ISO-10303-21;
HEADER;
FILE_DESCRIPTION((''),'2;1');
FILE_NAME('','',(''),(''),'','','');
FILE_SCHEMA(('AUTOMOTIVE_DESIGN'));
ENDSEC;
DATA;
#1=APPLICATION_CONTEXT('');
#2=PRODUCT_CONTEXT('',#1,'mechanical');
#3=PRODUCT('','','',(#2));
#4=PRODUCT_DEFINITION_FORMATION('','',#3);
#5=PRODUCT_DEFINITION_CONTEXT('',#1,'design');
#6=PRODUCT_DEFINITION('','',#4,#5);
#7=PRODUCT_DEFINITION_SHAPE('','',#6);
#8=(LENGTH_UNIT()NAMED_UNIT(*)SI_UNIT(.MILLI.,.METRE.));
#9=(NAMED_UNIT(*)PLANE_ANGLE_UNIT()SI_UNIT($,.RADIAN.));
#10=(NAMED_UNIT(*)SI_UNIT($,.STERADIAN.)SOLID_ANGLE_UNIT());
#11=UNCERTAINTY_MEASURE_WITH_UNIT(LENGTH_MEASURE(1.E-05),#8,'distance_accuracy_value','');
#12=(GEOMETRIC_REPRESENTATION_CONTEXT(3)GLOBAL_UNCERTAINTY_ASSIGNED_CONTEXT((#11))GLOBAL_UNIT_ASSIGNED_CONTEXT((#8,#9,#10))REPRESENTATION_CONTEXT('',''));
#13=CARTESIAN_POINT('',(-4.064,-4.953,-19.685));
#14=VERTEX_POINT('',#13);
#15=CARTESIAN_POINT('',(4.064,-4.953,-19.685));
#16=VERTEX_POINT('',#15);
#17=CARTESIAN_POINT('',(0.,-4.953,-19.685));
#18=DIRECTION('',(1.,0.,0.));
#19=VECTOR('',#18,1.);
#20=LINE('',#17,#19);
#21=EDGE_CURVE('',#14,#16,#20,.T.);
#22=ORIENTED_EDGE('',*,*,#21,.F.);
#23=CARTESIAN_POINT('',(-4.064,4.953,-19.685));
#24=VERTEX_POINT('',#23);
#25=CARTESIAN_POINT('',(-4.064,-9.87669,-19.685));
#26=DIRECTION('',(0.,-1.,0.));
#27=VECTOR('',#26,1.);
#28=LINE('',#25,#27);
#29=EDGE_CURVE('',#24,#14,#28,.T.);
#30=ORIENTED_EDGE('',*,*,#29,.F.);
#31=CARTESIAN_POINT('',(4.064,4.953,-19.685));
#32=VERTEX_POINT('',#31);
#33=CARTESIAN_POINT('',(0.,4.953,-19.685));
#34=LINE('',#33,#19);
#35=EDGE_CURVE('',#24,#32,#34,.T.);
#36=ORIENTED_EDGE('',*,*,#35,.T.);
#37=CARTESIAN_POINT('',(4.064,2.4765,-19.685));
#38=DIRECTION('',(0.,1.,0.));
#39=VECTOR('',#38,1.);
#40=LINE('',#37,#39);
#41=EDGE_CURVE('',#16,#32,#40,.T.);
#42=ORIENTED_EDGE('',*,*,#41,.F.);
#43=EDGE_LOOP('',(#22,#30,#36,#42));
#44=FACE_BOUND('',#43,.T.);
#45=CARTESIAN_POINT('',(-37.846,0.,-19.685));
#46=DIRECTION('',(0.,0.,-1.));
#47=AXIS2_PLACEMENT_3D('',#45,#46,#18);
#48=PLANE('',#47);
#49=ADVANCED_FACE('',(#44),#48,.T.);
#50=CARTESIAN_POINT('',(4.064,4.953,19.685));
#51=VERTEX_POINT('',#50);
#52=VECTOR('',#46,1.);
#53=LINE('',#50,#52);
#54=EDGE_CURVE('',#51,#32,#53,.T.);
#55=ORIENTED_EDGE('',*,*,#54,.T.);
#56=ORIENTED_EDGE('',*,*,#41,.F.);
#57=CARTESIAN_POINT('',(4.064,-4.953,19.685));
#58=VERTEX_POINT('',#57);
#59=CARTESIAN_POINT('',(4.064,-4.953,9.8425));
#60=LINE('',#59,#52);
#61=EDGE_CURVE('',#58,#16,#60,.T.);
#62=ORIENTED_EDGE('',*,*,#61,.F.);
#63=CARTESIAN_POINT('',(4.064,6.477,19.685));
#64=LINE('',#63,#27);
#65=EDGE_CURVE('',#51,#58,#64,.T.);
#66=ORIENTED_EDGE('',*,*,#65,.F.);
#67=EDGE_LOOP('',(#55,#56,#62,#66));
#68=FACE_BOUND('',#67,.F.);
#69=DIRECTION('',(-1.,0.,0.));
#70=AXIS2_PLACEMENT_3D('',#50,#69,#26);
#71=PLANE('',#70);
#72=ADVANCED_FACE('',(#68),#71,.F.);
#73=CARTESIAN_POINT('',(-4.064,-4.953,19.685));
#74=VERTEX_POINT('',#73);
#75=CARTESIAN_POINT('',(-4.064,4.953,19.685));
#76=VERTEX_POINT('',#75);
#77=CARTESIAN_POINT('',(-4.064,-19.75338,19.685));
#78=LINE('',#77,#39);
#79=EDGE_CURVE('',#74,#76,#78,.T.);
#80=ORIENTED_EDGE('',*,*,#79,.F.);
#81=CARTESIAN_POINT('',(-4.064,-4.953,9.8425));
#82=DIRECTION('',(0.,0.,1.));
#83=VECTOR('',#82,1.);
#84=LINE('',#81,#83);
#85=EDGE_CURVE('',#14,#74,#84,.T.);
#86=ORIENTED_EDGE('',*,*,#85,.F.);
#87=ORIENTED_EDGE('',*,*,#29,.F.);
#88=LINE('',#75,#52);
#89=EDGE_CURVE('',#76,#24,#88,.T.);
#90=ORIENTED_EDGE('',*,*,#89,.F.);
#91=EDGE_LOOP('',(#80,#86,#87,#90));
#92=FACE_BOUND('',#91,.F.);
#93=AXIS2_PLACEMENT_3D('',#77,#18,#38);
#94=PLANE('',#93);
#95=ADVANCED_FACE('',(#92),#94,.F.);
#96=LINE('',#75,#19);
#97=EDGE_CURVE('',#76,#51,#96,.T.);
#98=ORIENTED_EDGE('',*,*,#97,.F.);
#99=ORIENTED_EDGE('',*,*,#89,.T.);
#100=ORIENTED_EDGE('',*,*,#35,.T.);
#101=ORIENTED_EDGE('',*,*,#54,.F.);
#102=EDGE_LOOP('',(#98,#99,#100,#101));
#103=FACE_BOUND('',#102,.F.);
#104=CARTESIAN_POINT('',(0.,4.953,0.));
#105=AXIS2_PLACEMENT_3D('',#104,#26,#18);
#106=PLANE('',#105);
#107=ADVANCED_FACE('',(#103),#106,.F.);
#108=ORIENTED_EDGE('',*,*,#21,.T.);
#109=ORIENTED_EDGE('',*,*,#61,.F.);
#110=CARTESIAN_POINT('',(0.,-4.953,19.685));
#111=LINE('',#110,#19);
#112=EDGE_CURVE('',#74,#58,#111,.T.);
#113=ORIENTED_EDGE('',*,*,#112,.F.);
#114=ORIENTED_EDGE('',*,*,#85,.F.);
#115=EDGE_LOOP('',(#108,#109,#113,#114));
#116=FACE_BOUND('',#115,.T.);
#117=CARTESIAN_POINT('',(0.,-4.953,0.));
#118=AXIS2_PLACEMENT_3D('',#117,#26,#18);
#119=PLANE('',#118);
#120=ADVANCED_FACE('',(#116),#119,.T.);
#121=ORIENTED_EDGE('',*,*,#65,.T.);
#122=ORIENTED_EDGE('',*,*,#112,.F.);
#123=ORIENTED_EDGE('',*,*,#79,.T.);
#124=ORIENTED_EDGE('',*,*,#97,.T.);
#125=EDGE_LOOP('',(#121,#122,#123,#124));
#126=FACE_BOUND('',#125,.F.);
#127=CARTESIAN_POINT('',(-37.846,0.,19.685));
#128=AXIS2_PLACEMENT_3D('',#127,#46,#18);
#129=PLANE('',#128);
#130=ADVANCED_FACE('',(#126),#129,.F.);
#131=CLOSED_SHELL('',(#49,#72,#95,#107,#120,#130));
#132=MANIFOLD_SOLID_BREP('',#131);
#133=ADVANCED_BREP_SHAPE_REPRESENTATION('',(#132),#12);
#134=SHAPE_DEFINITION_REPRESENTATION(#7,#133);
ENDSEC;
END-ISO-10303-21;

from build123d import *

# Parameters (mm, degrees)
F0_W     = 75.692
F0_H     = 39.37
F1_DEPTH = 4.953
F2_W     = 33.782
F2_H     = 9.906
F2_H_2   = 1.524
F2_W_2   = 4.064
F3_DEPTH = 76.2


with BuildPart() as f1:
    # F0 (on Front) → F1 (new body, symmetric)
    with BuildSketch(Plane.XZ):
        Rectangle(F0_W, F0_H)
    extrude(amount=F1_DEPTH, both=True)

    # F2 (on face) → F3 (cut)
    with BuildSketch(Plane.XY.offset(19.685)):
        Polygon((-37.846, 4.953), (-37.846, 6.477), (-39.402377, 6.477), (-39.402377, -19.75338), (-4.064, -19.75338), (-4.064, -4.953), (-37.846, -4.953), align=None)
        with Locations((20.955, 0)):
            Rectangle(F2_W, F2_H)
        Polygon((39.692778, 6.477), (37.846, 6.477), (37.846, 4.953), (37.846, -4.953), (4.064, -4.953), (4.064, -21.630768), (39.692778, -21.630768), align=None)
        with Locations((-20.955, 0)):
            Rectangle(F2_W, F2_H)
        with Locations((-20.955, 5.715)):
            Rectangle(F2_W, F2_H_2)
        with Locations((20.955, 5.715)):
            Rectangle(F2_W, F2_H_2)
        with Locations((2.032, 5.715)):
            Rectangle(F2_W_2, F2_H_2)
        with Locations((-2.032, 5.715)):
            Rectangle(F2_W_2, F2_H_2)
    extrude(amount=-F3_DEPTH, mode=Mode.SUBTRACT)


solid = f1.part
